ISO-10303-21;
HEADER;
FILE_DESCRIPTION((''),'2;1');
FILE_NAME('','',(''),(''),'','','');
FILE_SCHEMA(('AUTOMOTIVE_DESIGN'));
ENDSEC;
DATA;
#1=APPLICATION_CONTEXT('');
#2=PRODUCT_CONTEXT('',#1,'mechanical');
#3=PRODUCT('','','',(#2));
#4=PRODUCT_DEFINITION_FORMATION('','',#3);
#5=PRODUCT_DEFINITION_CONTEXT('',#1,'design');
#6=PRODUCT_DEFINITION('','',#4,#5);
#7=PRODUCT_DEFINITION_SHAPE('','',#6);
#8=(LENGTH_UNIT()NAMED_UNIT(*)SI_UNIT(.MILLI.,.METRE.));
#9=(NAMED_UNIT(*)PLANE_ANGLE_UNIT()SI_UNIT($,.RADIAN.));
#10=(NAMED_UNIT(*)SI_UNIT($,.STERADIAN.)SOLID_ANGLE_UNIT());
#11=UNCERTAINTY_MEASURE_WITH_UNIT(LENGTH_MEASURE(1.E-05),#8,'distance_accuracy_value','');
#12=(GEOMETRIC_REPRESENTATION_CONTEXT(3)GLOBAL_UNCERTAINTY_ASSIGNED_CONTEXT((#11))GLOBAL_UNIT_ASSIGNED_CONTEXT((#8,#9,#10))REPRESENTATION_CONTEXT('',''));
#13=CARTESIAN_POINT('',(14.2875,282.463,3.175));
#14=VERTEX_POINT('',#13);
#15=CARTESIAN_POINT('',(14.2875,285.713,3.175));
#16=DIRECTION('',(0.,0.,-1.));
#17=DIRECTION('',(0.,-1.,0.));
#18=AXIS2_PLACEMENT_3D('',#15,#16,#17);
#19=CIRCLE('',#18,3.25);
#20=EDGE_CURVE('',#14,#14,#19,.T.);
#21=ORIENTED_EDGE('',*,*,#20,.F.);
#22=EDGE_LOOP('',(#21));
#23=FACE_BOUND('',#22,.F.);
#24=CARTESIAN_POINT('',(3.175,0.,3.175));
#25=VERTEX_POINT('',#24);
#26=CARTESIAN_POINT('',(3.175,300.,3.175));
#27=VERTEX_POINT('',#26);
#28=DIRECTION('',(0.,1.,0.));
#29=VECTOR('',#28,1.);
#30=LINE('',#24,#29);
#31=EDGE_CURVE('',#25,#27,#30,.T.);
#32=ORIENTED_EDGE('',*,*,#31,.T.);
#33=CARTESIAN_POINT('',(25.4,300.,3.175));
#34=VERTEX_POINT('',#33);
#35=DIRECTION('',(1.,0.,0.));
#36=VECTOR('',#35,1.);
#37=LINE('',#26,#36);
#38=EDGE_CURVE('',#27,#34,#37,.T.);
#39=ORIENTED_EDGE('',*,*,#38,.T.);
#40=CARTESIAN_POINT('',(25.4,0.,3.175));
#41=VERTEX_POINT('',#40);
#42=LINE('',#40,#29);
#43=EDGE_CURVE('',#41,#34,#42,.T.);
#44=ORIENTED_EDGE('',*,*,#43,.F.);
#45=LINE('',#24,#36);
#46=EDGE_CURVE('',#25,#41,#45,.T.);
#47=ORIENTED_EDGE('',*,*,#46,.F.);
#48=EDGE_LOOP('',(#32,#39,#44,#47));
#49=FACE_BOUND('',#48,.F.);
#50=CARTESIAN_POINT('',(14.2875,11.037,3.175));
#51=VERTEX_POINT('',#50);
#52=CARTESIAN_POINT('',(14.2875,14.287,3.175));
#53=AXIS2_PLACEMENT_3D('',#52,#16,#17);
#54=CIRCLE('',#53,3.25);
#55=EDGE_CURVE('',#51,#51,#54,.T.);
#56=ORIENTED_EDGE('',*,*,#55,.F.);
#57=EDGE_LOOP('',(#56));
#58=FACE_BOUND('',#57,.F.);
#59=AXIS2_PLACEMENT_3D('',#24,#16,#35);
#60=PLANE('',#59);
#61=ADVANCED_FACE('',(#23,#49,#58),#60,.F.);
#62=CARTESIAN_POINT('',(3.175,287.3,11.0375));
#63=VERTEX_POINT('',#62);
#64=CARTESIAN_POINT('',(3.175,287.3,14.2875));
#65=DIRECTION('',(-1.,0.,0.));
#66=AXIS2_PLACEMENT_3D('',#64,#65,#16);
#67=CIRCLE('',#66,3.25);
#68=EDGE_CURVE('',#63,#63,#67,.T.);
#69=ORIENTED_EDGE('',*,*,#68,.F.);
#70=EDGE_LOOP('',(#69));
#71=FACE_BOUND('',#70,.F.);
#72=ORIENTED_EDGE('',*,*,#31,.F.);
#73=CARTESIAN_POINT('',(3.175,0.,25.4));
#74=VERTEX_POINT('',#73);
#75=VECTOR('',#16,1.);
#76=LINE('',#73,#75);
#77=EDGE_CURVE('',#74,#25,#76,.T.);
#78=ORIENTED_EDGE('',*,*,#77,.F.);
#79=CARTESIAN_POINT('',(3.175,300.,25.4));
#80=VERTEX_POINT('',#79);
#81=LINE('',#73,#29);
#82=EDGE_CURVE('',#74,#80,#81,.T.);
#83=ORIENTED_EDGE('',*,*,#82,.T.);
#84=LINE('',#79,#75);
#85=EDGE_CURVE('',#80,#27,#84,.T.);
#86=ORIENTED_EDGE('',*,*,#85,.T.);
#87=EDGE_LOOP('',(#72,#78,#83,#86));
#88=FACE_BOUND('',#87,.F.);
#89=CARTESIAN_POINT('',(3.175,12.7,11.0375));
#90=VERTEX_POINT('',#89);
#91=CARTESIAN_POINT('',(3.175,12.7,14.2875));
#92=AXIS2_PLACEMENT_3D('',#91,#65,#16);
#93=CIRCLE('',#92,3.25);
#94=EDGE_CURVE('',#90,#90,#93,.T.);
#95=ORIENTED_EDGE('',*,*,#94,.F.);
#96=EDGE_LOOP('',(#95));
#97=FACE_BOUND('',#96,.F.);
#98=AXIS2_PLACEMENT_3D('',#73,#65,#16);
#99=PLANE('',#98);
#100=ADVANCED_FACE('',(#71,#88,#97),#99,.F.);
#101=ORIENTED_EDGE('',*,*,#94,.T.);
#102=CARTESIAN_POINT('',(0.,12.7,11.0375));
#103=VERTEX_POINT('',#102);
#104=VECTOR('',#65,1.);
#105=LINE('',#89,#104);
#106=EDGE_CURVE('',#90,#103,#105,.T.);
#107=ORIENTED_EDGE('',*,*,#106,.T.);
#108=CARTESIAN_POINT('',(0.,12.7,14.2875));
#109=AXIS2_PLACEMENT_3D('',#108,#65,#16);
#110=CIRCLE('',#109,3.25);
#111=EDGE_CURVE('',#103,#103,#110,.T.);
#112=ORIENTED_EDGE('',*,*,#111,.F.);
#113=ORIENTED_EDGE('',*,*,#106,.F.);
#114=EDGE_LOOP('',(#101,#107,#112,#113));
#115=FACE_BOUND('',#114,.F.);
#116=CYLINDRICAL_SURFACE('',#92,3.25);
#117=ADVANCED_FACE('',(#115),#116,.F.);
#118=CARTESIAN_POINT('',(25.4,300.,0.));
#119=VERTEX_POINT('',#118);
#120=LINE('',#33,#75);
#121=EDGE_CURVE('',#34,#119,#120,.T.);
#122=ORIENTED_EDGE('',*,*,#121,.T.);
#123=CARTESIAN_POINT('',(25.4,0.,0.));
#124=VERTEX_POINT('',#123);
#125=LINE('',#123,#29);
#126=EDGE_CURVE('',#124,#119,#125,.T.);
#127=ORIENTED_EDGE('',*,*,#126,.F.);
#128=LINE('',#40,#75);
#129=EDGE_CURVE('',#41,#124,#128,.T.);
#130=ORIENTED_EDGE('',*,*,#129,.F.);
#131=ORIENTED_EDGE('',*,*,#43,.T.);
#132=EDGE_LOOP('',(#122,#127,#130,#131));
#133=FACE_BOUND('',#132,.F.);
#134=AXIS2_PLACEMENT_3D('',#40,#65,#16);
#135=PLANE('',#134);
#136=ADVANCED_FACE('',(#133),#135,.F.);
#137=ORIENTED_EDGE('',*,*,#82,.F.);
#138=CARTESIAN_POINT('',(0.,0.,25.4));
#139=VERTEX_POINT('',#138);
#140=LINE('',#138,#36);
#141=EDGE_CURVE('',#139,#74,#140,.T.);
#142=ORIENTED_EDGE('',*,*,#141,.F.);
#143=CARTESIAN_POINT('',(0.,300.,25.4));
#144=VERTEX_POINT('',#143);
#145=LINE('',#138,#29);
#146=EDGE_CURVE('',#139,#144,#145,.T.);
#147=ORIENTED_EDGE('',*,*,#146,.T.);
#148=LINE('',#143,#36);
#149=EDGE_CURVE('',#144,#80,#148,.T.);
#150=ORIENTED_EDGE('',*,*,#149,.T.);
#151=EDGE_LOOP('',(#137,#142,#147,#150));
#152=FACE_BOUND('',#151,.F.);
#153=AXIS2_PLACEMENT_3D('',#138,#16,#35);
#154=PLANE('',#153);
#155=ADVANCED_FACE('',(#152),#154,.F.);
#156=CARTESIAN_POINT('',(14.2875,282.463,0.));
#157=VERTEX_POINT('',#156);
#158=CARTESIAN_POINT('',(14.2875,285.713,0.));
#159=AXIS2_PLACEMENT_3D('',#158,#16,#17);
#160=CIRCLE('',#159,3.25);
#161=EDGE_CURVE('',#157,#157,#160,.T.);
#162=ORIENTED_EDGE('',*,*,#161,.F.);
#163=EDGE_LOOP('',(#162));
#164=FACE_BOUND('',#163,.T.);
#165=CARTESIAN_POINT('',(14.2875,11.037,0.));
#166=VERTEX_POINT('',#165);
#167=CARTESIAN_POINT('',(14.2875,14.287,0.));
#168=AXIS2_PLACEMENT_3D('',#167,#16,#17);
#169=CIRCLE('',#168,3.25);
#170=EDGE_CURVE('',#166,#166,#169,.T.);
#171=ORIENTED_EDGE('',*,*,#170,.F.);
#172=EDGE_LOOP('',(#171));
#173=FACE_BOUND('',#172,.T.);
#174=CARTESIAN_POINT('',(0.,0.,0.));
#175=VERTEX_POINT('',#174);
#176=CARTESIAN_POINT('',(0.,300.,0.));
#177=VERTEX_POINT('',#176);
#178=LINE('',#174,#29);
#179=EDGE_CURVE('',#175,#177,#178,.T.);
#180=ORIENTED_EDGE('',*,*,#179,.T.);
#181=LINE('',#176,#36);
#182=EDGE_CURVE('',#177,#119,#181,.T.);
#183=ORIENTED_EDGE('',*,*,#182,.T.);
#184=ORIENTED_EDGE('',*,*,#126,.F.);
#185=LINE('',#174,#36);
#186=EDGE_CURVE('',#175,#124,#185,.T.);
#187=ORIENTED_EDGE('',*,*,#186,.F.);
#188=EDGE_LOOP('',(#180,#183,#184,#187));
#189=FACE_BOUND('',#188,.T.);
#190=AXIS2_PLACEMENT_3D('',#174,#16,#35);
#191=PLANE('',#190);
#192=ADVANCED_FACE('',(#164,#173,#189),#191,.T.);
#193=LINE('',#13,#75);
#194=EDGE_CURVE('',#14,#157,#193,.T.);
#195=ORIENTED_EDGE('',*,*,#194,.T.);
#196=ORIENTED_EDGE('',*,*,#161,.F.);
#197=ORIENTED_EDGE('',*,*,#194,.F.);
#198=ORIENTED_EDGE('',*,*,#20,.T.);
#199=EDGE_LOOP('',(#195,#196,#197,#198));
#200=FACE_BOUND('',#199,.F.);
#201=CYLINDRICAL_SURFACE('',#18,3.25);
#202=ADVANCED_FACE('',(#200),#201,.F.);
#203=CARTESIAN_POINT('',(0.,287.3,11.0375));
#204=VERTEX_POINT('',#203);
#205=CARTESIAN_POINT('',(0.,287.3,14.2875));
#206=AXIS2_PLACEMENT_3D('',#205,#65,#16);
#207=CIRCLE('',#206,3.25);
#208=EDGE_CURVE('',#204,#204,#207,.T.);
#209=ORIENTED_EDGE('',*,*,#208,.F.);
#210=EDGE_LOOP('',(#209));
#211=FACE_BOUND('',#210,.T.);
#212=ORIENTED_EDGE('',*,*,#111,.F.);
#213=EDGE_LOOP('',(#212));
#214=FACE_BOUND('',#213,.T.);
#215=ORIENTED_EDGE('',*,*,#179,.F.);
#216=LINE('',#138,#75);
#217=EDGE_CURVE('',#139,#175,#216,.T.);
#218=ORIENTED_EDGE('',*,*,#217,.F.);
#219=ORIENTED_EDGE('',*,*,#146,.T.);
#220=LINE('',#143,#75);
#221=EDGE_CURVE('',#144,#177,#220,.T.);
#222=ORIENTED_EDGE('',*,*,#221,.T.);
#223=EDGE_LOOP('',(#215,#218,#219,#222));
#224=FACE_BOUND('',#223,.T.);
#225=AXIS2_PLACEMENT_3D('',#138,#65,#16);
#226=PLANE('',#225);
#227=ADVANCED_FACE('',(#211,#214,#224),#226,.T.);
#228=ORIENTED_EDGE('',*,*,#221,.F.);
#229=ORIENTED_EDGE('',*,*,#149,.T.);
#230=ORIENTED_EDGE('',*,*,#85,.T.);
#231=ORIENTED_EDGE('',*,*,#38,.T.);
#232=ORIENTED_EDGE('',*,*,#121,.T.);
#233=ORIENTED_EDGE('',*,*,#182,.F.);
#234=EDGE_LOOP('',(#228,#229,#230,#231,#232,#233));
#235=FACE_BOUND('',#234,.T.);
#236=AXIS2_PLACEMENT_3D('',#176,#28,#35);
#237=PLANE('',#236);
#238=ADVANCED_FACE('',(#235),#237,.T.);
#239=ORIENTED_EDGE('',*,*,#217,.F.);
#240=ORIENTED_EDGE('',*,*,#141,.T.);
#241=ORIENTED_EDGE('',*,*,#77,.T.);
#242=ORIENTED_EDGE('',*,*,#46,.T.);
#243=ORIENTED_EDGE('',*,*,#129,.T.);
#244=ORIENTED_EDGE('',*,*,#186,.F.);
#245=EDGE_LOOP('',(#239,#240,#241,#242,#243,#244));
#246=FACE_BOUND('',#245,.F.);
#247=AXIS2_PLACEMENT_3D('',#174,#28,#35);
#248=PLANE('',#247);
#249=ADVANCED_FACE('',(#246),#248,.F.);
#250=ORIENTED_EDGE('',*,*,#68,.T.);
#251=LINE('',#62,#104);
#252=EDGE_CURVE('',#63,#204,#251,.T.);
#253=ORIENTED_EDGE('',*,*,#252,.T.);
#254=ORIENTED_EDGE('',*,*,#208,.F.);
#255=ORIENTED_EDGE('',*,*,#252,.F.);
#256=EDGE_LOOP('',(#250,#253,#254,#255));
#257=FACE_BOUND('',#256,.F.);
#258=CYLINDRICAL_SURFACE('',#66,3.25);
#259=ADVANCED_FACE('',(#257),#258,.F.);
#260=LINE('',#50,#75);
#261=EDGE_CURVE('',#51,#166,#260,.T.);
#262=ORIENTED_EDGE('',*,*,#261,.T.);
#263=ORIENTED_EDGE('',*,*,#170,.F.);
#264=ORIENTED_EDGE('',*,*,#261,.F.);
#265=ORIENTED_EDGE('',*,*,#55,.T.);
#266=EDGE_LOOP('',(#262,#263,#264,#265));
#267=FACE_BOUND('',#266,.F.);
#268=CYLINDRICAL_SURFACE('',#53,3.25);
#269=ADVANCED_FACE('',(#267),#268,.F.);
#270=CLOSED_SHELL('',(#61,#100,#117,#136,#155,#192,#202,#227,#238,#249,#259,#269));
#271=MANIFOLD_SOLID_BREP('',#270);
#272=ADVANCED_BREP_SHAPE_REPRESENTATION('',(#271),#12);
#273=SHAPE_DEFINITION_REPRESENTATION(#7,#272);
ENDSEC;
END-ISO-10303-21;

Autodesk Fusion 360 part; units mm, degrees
sketch "Sketch1" plane through (0, 0, 0) normal (0, 1, 0) x (1, 0, 0)
  line L0 (0, -25.4) -> (0, 0)
  line L1 (0, 0) -> (25.4, 0)
  line L2 (12.7, -12.7) -> (11.05, -11.05) construction
  line L3 (3.175, -25.4) -> (3.175, -3.175)
  line L4 (3.175, -3.175) -> (25.4, -3.175)
  line L5 (25.4, -3.175) -> (25.4, 0)
  line L6 (0, -25.4) -> (3.175, -25.4)
  dimension "d1" = 25.4
  dimension "d2" = 25.4
  dimension "d13" = 3.175
extrude "Extrude1" add sketch "Sketch1" along normal blind 300
sketch "Sketch2" plane through (3.175, 0, 0) normal (1, 0, 0) x (0, 0, -1)
  line L0 (-25.4, 0) -> (-3.175, 0)
  line L1 (-3.175, 0) -> (-3.175, 300)
  line L2 (-3.175, 300) -> (-25.4, 300)
  line L3 (-25.4, 300) -> (-25.4, 0)
  circle A0 centre (-14.2875, 287.3) radius 2.76
  circle A1 centre (-14.2875, 12.7) radius 2.5546
  line L4 (-14.2875, 300) -> (-14.2875, 0) construction
  dimension "d14" = 12.7
  dimension "d15" = 12.7
hole "Hole1" at (3.175, 12.7, 14.2875) at (3.175, 287.3, 14.2875) direction (-1, 0, 0) diameter 6.5 end through all
sketch "Sketch3" plane through (0, 0, 3.175) normal (0, 0, 1) x (1, 0, 0)
  line L0 (3.175, 0) -> (25.4, 0)
  line L1 (25.4, 0) -> (25.4, 300)
  line L2 (25.4, 300) -> (3.175, 300)
  line L3 (3.175, 300) -> (3.175, 0)
  line L4 (14.2875, 0) -> (14.2875, 300) construction
  circle A0 centre (14.2875, 285.713) radius 2.8949
  circle A1 centre (14.2875, 14.287) radius 4.0168
  dimension "d19" = 14.287
  dimension "d20" = 14.287
hole "Hole2" at (14.2875, 14.287, 3.175) at (14.2875, 285.713, 3.175) direction (0, 0, -1) diameter 6.5 end through all
equation "d14 = ( 25.4 / 2 ) * 1 mm"
equation "d15 = ( 25.4 / 2 ) * 1 mm"
equation "d19 = 25.4 mm - 11.113 mm"
